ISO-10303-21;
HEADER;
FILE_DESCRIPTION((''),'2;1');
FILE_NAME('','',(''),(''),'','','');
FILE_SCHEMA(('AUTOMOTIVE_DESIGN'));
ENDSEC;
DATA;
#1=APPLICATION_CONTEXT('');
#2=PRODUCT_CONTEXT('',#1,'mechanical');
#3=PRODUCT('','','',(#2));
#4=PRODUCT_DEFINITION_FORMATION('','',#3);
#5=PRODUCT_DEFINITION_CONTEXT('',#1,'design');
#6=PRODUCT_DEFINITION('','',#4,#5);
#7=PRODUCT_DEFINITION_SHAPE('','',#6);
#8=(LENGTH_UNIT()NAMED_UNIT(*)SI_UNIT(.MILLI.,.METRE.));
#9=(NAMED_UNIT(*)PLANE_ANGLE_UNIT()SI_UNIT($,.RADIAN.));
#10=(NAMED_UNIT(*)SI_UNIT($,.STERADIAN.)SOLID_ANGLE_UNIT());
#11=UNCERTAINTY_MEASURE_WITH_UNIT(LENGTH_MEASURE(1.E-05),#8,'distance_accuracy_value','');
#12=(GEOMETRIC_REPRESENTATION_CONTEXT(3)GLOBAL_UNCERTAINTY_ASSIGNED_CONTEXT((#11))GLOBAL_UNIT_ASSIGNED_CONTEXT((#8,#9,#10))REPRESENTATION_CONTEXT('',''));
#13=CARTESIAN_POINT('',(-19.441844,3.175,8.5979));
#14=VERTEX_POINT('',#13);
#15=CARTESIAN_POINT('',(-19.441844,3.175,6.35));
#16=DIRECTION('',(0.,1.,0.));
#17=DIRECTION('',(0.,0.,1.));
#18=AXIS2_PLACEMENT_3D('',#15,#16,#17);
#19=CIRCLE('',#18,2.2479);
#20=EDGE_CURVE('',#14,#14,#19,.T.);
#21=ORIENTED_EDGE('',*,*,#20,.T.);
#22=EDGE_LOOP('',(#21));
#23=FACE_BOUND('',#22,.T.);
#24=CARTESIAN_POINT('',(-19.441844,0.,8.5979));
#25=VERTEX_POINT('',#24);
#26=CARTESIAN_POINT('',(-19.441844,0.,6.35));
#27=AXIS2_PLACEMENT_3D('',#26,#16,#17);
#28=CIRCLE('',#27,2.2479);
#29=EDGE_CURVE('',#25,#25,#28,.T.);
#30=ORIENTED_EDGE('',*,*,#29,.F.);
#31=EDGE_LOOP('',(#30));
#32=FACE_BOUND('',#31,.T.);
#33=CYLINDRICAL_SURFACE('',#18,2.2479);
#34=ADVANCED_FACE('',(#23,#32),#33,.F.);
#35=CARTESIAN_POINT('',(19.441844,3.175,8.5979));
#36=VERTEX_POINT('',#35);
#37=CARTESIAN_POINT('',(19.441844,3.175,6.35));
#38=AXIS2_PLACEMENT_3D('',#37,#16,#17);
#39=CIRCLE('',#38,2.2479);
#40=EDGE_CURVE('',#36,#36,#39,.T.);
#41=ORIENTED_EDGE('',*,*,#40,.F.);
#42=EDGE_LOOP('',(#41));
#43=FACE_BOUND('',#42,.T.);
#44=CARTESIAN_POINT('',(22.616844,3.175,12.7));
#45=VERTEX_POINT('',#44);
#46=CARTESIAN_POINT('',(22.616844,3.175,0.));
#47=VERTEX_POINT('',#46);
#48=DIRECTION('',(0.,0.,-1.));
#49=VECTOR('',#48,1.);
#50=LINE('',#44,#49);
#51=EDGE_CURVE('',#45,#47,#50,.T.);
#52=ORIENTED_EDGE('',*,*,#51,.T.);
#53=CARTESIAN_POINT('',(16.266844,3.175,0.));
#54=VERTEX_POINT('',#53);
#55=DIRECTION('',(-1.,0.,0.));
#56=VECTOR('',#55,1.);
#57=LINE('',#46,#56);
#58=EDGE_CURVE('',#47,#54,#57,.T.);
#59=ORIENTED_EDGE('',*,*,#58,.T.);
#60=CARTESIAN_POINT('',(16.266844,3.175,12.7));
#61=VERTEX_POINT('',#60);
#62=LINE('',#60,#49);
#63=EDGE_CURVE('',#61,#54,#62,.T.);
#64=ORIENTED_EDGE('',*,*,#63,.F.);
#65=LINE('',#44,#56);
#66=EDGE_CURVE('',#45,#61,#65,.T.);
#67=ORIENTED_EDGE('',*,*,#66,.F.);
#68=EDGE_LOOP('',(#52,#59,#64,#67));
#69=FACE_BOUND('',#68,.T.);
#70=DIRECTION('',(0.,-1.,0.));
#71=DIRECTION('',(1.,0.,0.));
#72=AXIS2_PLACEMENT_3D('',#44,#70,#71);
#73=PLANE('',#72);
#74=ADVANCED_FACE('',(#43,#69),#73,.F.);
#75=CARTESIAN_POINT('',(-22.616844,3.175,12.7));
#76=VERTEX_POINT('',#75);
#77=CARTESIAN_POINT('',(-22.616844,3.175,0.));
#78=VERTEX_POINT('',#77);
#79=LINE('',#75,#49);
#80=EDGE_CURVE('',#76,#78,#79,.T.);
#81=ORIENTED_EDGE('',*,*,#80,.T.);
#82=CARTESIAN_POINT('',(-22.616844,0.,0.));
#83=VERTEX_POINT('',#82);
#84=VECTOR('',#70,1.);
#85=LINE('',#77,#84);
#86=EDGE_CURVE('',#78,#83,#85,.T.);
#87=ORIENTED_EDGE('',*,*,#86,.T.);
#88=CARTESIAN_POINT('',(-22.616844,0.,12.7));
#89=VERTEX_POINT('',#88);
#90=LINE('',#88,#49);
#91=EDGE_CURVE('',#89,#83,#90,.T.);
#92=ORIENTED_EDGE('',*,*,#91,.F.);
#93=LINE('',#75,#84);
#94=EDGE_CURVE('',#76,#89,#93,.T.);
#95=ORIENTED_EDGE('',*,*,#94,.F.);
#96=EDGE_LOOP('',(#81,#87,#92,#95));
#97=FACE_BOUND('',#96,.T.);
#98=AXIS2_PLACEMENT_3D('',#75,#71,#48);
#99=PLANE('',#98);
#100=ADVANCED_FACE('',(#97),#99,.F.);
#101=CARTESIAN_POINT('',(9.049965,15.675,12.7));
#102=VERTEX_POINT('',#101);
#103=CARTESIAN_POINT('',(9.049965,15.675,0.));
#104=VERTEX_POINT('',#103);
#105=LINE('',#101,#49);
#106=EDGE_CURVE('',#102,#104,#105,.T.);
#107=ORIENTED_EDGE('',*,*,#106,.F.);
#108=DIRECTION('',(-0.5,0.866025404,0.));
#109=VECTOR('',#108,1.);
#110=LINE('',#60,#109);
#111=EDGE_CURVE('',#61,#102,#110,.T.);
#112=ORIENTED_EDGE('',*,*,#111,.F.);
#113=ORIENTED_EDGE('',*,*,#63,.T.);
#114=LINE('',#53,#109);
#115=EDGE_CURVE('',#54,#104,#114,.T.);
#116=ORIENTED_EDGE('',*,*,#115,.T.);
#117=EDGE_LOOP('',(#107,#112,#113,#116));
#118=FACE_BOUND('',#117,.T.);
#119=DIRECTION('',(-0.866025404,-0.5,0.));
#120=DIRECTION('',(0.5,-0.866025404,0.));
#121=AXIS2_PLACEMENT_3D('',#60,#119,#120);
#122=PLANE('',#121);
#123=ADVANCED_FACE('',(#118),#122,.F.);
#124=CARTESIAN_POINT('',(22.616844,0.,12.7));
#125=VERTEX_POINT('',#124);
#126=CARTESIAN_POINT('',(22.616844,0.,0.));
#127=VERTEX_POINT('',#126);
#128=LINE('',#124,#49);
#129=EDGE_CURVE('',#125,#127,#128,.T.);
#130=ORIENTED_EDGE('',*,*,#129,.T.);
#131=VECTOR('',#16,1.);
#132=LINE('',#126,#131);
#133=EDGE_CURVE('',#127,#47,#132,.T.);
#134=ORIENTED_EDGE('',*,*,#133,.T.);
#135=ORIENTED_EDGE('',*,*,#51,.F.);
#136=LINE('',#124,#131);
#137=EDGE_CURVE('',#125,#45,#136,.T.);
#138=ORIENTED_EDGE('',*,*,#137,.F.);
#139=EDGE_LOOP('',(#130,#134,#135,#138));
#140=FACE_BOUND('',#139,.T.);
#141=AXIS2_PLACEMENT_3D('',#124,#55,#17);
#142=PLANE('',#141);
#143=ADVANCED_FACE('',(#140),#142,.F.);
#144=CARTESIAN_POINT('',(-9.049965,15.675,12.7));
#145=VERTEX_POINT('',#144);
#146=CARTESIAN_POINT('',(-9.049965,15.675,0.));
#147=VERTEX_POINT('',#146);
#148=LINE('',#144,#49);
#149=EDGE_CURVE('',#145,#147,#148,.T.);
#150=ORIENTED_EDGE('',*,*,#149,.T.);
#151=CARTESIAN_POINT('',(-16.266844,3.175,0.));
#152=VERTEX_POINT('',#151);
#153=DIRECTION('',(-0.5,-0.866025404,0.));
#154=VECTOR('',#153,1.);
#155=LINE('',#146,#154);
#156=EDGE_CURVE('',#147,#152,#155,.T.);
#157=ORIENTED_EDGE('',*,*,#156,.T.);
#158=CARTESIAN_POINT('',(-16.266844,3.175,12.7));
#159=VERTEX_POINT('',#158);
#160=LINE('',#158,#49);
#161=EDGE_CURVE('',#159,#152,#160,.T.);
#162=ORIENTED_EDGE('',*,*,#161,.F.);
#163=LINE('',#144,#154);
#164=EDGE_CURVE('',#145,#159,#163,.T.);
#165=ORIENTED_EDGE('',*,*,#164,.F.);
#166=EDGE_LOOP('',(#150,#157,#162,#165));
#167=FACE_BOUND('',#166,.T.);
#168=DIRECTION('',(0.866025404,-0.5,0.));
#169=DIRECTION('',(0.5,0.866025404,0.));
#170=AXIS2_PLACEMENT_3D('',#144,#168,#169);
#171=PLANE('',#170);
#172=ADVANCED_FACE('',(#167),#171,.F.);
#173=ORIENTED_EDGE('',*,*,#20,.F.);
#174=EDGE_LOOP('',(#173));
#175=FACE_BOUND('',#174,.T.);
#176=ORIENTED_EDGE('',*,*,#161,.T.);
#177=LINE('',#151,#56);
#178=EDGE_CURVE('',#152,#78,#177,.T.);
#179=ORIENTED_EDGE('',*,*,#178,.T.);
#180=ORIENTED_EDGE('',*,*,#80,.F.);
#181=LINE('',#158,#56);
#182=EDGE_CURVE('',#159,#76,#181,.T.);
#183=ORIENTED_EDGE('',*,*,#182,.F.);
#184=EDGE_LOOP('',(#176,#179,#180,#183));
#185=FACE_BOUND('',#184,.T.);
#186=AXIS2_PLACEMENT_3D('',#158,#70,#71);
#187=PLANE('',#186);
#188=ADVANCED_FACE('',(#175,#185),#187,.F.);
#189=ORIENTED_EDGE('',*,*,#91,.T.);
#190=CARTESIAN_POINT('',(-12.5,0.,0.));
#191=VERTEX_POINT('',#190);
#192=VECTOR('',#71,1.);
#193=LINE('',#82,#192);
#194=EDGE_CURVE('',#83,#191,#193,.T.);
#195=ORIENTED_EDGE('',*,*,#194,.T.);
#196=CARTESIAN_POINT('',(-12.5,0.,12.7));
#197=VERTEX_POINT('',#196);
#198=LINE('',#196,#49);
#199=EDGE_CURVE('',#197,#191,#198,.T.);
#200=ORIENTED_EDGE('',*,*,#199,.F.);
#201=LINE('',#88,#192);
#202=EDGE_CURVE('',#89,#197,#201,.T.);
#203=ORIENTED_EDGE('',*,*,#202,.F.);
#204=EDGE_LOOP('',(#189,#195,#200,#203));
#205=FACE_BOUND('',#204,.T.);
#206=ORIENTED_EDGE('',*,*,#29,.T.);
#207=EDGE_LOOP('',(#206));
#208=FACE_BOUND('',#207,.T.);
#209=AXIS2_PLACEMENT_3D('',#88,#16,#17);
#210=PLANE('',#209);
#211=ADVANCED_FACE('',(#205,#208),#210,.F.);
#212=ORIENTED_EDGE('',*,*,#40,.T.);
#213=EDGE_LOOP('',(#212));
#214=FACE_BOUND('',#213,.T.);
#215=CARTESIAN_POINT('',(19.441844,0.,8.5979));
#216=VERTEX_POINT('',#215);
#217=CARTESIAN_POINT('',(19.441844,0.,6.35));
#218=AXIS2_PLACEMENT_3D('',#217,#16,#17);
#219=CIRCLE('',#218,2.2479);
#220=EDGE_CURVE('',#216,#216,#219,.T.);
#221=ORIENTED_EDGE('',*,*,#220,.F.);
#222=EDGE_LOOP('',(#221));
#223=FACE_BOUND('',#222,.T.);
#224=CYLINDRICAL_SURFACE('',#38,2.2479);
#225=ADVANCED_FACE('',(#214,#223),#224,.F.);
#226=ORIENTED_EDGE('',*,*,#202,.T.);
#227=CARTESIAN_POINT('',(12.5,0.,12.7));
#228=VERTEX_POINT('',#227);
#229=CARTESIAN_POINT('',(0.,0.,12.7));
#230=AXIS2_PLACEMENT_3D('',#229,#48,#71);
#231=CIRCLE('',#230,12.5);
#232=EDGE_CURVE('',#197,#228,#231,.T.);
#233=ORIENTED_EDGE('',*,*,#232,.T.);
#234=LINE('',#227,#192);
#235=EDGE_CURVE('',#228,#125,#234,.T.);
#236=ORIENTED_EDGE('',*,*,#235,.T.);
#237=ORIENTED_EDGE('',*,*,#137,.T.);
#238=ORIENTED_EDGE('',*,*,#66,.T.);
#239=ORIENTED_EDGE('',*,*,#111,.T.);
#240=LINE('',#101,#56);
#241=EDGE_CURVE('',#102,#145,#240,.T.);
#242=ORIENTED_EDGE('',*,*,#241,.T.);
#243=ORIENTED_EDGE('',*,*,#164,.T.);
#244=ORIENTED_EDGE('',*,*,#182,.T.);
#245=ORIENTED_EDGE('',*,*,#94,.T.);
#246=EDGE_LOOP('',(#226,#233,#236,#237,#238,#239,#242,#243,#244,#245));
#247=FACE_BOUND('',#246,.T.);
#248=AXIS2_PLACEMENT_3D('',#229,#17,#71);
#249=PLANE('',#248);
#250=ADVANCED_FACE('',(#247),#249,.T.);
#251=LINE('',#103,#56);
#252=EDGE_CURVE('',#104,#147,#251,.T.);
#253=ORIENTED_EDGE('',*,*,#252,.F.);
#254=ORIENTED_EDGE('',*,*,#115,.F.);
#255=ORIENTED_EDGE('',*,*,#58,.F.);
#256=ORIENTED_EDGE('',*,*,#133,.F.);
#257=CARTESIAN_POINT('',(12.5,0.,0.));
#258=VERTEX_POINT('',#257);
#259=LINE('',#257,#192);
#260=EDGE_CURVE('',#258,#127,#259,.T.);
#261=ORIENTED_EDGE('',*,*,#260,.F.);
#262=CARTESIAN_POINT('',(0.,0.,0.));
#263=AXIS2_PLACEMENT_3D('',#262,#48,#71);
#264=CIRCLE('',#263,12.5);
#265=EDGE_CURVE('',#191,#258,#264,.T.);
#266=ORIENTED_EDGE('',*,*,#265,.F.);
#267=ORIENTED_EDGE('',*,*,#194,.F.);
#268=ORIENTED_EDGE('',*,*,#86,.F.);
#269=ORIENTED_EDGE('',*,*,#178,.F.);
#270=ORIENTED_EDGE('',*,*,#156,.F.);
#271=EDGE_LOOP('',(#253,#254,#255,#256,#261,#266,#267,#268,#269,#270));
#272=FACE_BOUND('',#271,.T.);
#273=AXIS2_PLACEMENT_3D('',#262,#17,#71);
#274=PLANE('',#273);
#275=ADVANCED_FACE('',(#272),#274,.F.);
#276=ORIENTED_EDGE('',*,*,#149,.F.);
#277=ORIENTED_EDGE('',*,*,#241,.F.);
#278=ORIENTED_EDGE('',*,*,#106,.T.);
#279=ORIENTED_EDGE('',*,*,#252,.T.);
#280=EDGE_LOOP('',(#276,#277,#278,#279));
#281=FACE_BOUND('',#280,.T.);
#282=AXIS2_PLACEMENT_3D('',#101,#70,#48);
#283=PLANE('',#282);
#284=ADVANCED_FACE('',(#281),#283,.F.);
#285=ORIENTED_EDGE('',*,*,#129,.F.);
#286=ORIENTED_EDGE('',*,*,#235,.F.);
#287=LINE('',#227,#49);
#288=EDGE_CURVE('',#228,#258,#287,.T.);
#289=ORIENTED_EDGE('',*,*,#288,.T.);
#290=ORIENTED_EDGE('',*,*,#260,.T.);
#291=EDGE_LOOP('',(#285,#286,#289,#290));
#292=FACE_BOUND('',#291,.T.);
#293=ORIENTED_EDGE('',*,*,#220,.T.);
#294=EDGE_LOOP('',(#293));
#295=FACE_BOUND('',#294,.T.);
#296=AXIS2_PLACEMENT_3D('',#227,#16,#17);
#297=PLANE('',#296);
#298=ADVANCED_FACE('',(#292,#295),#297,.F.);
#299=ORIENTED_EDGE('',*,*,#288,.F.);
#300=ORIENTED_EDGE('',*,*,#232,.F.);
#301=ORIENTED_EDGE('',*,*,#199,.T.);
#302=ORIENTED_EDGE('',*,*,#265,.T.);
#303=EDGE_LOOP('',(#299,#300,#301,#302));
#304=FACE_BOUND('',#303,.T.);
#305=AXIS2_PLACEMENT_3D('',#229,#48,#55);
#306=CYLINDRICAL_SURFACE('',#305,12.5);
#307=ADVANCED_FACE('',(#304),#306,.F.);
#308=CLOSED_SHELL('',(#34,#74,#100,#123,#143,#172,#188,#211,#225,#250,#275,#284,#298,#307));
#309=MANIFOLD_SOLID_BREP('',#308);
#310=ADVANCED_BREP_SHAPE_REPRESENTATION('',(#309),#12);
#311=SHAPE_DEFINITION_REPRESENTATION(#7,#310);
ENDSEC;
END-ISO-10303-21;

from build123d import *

# Parameters (mm, degrees)
BOSS_EXTRUDE1_DEPTH       = 12.7
F_8_CLEARANCE_HOLE1_D     = 4.4958
F_8_CLEARANCE_HOLE1_DEPTH = 61.468
F_8_CLEARANCE_HOLE1_TIP   = 1.350674586


with BuildPart() as part:
    # Sketch2 → Boss-Extrude1 (new body)
    with BuildSketch(Plane.XY):
        with BuildLine():
            Line((12.5, 0), (22.616843834, 0))
            Line((22.616843834, 0), (22.616843834, 3.175))
            Line((22.616843834, 3.175), (16.266843834, 3.175))
            Line((16.266843834, 3.175), (9.04996547, 15.675))
            Line((9.04996547, 15.675), (-9.04996547, 15.675))
            Line((-9.04996547, 15.675), (-16.266843834, 3.175))
            Line((-16.266843834, 3.175), (-22.616843834, 3.175))
            Line((-22.616843834, 3.175), (-22.616843834, 0))
            Line((-22.616843834, 0), (-12.5, 0))
            ThreePointArc((-12.5, 0), (0, 12.5), (12.5, 0))
        make_face()
    extrude(amount=BOSS_EXTRUDE1_DEPTH)

    # #8 Clearance Hole1
    with Locations(Plane(origin=(0, 3.175, 0), x_dir=(1, 0, 0), z_dir=(0, 1, 0))):
        with Locations((19.441843834, -6.35), (-19.441843834, -6.35)):
            Hole(F_8_CLEARANCE_HOLE1_D / 2, depth=F_8_CLEARANCE_HOLE1_DEPTH)
            with Locations((0, 0, -(F_8_CLEARANCE_HOLE1_DEPTH + F_8_CLEARANCE_HOLE1_TIP / 2))):  # 118° drill point
                Cone(0, F_8_CLEARANCE_HOLE1_D / 2, F_8_CLEARANCE_HOLE1_TIP, mode=Mode.SUBTRACT)


solid = part.part
